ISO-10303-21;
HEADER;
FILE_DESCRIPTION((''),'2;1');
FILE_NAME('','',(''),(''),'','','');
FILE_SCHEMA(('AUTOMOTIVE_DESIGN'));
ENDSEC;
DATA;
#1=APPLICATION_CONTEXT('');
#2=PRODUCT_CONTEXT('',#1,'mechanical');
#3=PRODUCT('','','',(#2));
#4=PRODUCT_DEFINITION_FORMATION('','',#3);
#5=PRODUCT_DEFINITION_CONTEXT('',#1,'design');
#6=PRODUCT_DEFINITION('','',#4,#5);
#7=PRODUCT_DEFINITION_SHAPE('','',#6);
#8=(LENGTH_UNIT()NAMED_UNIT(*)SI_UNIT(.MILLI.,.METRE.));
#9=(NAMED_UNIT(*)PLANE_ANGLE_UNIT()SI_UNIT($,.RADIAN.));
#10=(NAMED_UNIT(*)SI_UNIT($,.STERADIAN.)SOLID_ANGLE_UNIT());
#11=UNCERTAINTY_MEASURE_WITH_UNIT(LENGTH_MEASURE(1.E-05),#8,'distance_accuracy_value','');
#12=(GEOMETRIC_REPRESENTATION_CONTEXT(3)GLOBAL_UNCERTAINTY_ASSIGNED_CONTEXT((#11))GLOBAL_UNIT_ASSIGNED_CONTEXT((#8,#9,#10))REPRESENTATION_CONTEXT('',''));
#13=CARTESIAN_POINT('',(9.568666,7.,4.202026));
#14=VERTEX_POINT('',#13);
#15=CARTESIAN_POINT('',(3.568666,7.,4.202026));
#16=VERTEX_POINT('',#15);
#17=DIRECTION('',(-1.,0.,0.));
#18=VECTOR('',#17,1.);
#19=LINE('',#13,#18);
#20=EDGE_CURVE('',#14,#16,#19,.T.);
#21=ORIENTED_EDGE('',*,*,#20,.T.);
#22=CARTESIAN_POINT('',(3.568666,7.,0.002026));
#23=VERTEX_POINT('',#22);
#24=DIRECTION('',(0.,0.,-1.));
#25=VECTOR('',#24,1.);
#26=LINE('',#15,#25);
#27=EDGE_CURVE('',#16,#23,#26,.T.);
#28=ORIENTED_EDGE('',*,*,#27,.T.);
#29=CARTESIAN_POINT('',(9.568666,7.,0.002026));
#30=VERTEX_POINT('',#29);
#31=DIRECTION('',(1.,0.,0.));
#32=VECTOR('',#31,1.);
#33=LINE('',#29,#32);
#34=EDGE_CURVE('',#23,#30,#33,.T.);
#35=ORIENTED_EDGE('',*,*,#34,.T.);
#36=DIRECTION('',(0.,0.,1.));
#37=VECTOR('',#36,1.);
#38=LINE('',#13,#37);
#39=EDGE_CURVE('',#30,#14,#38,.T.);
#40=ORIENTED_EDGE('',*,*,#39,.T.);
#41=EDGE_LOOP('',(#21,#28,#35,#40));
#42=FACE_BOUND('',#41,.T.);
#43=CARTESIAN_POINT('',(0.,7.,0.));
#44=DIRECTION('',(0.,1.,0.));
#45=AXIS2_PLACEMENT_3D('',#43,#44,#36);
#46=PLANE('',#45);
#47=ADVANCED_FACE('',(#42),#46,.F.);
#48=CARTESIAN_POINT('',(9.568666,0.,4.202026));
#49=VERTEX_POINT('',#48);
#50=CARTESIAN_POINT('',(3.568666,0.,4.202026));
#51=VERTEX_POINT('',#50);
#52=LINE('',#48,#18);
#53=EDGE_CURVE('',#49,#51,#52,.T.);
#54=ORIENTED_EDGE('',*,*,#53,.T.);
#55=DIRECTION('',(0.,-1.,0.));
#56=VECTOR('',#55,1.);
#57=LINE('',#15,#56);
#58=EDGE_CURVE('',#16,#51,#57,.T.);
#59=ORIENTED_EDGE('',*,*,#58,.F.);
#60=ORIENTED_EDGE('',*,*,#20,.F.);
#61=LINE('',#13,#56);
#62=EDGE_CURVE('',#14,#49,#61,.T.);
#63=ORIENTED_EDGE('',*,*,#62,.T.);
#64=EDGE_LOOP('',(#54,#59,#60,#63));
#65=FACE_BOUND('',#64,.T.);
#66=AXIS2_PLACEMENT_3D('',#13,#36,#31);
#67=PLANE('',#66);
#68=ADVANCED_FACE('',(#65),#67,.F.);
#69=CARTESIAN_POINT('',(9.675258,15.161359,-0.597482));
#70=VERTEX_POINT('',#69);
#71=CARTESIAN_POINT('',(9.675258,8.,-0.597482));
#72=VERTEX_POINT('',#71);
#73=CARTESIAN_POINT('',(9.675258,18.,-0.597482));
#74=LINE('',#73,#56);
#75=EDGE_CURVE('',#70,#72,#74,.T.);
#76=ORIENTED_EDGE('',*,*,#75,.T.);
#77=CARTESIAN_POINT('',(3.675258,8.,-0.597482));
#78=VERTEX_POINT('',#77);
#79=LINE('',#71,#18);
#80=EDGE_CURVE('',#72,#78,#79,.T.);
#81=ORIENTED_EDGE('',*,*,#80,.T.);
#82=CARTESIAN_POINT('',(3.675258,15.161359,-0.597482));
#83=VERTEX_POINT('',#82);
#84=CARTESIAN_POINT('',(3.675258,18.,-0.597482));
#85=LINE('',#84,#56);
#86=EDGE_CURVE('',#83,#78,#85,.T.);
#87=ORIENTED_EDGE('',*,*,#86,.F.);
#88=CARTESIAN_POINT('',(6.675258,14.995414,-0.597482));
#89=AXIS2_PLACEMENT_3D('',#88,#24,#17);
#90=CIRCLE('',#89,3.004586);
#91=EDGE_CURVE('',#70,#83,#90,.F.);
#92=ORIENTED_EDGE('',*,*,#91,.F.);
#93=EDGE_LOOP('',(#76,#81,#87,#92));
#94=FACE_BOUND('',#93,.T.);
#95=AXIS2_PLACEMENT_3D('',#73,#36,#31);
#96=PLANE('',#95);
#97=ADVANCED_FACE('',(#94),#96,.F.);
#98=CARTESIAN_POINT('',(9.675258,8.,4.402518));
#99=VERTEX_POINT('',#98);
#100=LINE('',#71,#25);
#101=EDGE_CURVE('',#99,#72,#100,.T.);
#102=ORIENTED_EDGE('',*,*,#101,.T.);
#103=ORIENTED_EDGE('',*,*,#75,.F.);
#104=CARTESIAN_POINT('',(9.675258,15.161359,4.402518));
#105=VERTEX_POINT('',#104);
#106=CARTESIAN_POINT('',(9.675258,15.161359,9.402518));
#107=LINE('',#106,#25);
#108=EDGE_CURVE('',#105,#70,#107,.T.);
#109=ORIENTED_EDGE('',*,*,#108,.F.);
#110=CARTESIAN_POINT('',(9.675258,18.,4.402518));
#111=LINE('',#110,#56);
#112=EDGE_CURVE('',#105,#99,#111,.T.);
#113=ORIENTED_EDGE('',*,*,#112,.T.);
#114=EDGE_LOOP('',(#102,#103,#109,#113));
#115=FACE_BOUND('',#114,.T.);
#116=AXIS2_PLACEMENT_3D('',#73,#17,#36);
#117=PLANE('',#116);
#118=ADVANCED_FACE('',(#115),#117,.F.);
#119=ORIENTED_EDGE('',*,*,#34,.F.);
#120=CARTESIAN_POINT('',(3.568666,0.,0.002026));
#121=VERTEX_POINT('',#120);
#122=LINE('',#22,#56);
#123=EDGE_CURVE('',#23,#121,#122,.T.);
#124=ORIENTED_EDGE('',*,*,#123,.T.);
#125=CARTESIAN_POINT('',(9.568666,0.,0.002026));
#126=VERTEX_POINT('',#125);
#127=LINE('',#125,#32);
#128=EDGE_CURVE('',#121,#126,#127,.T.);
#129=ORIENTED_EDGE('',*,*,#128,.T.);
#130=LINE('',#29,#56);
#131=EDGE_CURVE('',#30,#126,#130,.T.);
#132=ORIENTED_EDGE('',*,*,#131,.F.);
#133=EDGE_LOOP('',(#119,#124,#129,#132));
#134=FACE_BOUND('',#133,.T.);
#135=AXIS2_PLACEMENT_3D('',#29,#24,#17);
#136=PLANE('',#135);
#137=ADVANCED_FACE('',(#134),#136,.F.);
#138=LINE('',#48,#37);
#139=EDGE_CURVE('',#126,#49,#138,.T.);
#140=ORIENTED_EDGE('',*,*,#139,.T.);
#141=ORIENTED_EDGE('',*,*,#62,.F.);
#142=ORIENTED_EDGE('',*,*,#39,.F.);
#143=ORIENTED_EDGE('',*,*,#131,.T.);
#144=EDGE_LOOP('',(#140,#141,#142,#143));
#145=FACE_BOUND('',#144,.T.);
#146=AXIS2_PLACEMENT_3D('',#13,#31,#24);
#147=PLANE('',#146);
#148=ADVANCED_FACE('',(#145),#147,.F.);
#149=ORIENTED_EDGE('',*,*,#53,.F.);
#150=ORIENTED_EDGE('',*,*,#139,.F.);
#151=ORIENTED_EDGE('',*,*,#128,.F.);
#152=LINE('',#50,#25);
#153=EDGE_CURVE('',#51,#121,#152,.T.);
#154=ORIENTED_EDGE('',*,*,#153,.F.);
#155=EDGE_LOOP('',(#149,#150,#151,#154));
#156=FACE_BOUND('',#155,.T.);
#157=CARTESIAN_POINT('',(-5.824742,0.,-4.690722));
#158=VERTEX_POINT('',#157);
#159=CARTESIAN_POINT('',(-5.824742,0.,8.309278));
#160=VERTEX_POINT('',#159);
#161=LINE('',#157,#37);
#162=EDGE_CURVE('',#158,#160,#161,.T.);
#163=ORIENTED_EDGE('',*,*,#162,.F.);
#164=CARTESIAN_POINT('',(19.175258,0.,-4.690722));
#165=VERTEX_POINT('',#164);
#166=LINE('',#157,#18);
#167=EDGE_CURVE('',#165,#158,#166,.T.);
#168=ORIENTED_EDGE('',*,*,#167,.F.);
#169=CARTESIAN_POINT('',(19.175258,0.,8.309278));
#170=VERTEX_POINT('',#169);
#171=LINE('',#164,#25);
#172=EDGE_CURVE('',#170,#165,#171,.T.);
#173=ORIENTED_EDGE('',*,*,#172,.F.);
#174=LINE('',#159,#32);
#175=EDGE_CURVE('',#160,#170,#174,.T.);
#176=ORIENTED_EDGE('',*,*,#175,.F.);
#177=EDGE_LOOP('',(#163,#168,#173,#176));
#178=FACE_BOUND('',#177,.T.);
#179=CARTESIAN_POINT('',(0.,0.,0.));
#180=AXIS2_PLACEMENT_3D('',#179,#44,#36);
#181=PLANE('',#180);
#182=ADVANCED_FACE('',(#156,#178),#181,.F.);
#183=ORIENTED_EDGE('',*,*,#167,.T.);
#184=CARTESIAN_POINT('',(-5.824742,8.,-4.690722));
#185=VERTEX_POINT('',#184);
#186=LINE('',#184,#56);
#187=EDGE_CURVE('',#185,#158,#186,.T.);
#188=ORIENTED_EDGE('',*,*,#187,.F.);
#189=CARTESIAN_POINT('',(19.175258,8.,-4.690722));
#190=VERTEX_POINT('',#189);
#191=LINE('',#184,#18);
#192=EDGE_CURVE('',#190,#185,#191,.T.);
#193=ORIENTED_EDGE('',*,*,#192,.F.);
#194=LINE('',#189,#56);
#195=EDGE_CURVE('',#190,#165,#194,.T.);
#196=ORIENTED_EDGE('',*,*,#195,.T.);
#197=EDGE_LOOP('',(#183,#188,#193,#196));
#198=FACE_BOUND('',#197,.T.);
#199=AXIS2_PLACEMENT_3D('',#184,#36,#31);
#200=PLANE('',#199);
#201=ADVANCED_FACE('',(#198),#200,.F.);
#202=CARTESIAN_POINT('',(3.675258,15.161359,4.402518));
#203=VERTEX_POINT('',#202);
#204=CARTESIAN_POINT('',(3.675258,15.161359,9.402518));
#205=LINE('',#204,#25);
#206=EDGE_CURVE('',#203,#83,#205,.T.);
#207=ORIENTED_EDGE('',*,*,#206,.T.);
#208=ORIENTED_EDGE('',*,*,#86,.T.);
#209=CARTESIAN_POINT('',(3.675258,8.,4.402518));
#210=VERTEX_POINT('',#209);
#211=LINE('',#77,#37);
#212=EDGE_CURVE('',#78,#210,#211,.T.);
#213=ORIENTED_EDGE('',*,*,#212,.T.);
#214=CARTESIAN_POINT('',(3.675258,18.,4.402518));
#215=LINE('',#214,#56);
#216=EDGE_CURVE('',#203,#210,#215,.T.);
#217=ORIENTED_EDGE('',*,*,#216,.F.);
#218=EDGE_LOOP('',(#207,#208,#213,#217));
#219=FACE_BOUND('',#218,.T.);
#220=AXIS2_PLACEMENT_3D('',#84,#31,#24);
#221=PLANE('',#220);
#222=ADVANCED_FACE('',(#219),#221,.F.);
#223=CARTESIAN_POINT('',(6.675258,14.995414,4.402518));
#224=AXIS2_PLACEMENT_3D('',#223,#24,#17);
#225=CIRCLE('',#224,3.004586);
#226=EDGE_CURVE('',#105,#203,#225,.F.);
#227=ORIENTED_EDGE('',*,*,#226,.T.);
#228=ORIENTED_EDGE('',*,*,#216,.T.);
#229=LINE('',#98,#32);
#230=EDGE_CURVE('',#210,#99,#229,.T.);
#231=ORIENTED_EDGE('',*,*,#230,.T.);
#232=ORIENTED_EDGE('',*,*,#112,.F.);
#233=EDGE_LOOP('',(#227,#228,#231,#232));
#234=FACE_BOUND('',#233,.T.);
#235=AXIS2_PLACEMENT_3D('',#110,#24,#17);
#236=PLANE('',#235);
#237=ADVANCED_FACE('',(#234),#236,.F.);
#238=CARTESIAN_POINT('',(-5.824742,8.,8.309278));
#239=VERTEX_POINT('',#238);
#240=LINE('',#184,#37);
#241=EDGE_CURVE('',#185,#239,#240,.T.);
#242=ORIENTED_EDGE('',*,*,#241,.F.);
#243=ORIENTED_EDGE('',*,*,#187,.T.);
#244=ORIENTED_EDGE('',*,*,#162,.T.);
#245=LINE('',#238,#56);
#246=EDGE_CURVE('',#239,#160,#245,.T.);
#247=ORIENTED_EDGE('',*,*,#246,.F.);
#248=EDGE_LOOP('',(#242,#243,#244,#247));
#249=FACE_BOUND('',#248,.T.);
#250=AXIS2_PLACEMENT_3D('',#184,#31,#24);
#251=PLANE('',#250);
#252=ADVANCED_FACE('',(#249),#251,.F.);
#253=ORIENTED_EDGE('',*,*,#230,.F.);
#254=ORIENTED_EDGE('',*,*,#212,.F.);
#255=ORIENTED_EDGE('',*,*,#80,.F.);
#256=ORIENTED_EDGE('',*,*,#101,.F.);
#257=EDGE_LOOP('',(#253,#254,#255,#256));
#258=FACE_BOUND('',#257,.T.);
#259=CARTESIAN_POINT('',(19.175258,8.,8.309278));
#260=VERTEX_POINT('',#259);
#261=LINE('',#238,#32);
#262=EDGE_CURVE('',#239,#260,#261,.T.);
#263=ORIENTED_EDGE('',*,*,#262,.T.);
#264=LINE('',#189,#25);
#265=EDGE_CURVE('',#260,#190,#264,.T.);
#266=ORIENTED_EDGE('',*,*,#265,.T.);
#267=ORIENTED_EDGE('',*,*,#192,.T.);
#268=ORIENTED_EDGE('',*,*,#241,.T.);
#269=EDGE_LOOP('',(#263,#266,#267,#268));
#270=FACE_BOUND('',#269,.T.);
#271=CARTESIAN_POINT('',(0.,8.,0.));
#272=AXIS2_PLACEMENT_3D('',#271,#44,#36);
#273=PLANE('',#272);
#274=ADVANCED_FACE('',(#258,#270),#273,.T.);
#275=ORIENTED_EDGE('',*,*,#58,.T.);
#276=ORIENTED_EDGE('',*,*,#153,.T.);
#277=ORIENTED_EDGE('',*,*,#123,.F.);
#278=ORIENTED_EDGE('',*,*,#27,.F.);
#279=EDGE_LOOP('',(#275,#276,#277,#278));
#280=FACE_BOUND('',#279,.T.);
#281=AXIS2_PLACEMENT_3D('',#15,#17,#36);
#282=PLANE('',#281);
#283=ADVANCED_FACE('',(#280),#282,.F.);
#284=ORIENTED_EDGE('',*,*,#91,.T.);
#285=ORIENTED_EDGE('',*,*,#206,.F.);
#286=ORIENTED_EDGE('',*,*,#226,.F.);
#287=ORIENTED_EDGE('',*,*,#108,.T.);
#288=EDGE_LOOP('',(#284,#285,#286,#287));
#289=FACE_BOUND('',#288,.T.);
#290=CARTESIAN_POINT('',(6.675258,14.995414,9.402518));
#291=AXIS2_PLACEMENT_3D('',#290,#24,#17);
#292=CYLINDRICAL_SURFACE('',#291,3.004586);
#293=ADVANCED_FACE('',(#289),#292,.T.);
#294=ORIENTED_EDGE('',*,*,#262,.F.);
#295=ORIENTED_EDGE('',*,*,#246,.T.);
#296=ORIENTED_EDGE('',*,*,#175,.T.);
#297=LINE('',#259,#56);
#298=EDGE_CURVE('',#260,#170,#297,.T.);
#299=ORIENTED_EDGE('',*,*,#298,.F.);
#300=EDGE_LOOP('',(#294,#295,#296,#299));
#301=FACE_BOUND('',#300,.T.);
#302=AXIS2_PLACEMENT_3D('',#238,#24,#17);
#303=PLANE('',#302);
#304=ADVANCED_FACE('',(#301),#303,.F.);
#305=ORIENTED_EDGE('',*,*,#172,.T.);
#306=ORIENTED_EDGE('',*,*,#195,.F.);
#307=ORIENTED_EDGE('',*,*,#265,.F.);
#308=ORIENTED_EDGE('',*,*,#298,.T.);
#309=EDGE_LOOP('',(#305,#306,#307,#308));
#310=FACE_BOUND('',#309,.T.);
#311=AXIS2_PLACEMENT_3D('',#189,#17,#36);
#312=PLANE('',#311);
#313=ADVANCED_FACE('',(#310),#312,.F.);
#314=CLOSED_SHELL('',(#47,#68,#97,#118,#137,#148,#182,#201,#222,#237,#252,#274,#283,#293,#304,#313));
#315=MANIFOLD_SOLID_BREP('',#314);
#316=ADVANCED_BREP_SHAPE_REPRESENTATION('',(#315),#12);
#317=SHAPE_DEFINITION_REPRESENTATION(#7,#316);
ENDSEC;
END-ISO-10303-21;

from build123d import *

# Parameters (mm, degrees)
SKETCH3_W           = 25
SKETCH3_H           = 13
BOSS_EXTRUDE1_DEPTH = 8
SKETCH4_W           = 6
SKETCH4_H           = 4.2
CUT_EXTRUDE1_DEPTH  = 7
SKETCH5_W           = 6
SKETCH5_H           = 5
BOSS_EXTRUDE2_DEPTH = 10
CUT_EXTRUDE2_DEPTH  = 10


with BuildPart() as part:
    # Sketch3 → Boss-Extrude1 (new body)
    with BuildSketch(Plane(origin=(0, 0, 0), x_dir=(1, 0, 0), z_dir=(0, 1, 0))):
        with Locations((6.675257732, -1.809278351)):
            Rectangle(SKETCH3_W, SKETCH3_H)
    extrude(amount=BOSS_EXTRUDE1_DEPTH)

    # Sketch4 → Cut-Extrude1 (cut)
    with BuildSketch(Plane.XZ):
        with Locations((6.568666205, 2.102026057)):
            Rectangle(SKETCH4_W, SKETCH4_H)
    extrude(amount=-CUT_EXTRUDE1_DEPTH, mode=Mode.SUBTRACT)

    # Sketch5 → Boss-Extrude2 (add)
    with BuildSketch(Plane(origin=(0, 8, 0), x_dir=(1, 0, 0), z_dir=(0, 1, 0))):
        with Locations((6.675257732, -1.902518117)):
            Rectangle(SKETCH5_W, SKETCH5_H)
    extrude(amount=BOSS_EXTRUDE2_DEPTH)

    # Sketch6 → Cut-Extrude2 (cut)
    with BuildSketch(Plane(origin=(0, 0, -0.597481883), x_dir=(-1, 0, 0), z_dir=(0, 0, -1))):
        with BuildLine():
            Line((-3.675257732, 18), (-6.675257732, 18))
            ThreePointArc((-6.675257732, 18), (-4.610198245, 17.177859086), (-3.675257732, 15.161358998))
            Line((-3.675257732, 15.161358998), (-3.675257732, 18))
        make_face()
        with BuildLine():
            Line((-9.675257732, 18), (-9.675257732, 15.161358998))
            ThreePointArc((-9.675257732, 15.161358998), (-8.740317219, 17.177859086), (-6.675257732, 18))
            Line((-6.675257732, 18), (-9.675257732, 18))
        make_face()
    extrude(amount=-CUT_EXTRUDE2_DEPTH, mode=Mode.SUBTRACT)


solid = part.part
